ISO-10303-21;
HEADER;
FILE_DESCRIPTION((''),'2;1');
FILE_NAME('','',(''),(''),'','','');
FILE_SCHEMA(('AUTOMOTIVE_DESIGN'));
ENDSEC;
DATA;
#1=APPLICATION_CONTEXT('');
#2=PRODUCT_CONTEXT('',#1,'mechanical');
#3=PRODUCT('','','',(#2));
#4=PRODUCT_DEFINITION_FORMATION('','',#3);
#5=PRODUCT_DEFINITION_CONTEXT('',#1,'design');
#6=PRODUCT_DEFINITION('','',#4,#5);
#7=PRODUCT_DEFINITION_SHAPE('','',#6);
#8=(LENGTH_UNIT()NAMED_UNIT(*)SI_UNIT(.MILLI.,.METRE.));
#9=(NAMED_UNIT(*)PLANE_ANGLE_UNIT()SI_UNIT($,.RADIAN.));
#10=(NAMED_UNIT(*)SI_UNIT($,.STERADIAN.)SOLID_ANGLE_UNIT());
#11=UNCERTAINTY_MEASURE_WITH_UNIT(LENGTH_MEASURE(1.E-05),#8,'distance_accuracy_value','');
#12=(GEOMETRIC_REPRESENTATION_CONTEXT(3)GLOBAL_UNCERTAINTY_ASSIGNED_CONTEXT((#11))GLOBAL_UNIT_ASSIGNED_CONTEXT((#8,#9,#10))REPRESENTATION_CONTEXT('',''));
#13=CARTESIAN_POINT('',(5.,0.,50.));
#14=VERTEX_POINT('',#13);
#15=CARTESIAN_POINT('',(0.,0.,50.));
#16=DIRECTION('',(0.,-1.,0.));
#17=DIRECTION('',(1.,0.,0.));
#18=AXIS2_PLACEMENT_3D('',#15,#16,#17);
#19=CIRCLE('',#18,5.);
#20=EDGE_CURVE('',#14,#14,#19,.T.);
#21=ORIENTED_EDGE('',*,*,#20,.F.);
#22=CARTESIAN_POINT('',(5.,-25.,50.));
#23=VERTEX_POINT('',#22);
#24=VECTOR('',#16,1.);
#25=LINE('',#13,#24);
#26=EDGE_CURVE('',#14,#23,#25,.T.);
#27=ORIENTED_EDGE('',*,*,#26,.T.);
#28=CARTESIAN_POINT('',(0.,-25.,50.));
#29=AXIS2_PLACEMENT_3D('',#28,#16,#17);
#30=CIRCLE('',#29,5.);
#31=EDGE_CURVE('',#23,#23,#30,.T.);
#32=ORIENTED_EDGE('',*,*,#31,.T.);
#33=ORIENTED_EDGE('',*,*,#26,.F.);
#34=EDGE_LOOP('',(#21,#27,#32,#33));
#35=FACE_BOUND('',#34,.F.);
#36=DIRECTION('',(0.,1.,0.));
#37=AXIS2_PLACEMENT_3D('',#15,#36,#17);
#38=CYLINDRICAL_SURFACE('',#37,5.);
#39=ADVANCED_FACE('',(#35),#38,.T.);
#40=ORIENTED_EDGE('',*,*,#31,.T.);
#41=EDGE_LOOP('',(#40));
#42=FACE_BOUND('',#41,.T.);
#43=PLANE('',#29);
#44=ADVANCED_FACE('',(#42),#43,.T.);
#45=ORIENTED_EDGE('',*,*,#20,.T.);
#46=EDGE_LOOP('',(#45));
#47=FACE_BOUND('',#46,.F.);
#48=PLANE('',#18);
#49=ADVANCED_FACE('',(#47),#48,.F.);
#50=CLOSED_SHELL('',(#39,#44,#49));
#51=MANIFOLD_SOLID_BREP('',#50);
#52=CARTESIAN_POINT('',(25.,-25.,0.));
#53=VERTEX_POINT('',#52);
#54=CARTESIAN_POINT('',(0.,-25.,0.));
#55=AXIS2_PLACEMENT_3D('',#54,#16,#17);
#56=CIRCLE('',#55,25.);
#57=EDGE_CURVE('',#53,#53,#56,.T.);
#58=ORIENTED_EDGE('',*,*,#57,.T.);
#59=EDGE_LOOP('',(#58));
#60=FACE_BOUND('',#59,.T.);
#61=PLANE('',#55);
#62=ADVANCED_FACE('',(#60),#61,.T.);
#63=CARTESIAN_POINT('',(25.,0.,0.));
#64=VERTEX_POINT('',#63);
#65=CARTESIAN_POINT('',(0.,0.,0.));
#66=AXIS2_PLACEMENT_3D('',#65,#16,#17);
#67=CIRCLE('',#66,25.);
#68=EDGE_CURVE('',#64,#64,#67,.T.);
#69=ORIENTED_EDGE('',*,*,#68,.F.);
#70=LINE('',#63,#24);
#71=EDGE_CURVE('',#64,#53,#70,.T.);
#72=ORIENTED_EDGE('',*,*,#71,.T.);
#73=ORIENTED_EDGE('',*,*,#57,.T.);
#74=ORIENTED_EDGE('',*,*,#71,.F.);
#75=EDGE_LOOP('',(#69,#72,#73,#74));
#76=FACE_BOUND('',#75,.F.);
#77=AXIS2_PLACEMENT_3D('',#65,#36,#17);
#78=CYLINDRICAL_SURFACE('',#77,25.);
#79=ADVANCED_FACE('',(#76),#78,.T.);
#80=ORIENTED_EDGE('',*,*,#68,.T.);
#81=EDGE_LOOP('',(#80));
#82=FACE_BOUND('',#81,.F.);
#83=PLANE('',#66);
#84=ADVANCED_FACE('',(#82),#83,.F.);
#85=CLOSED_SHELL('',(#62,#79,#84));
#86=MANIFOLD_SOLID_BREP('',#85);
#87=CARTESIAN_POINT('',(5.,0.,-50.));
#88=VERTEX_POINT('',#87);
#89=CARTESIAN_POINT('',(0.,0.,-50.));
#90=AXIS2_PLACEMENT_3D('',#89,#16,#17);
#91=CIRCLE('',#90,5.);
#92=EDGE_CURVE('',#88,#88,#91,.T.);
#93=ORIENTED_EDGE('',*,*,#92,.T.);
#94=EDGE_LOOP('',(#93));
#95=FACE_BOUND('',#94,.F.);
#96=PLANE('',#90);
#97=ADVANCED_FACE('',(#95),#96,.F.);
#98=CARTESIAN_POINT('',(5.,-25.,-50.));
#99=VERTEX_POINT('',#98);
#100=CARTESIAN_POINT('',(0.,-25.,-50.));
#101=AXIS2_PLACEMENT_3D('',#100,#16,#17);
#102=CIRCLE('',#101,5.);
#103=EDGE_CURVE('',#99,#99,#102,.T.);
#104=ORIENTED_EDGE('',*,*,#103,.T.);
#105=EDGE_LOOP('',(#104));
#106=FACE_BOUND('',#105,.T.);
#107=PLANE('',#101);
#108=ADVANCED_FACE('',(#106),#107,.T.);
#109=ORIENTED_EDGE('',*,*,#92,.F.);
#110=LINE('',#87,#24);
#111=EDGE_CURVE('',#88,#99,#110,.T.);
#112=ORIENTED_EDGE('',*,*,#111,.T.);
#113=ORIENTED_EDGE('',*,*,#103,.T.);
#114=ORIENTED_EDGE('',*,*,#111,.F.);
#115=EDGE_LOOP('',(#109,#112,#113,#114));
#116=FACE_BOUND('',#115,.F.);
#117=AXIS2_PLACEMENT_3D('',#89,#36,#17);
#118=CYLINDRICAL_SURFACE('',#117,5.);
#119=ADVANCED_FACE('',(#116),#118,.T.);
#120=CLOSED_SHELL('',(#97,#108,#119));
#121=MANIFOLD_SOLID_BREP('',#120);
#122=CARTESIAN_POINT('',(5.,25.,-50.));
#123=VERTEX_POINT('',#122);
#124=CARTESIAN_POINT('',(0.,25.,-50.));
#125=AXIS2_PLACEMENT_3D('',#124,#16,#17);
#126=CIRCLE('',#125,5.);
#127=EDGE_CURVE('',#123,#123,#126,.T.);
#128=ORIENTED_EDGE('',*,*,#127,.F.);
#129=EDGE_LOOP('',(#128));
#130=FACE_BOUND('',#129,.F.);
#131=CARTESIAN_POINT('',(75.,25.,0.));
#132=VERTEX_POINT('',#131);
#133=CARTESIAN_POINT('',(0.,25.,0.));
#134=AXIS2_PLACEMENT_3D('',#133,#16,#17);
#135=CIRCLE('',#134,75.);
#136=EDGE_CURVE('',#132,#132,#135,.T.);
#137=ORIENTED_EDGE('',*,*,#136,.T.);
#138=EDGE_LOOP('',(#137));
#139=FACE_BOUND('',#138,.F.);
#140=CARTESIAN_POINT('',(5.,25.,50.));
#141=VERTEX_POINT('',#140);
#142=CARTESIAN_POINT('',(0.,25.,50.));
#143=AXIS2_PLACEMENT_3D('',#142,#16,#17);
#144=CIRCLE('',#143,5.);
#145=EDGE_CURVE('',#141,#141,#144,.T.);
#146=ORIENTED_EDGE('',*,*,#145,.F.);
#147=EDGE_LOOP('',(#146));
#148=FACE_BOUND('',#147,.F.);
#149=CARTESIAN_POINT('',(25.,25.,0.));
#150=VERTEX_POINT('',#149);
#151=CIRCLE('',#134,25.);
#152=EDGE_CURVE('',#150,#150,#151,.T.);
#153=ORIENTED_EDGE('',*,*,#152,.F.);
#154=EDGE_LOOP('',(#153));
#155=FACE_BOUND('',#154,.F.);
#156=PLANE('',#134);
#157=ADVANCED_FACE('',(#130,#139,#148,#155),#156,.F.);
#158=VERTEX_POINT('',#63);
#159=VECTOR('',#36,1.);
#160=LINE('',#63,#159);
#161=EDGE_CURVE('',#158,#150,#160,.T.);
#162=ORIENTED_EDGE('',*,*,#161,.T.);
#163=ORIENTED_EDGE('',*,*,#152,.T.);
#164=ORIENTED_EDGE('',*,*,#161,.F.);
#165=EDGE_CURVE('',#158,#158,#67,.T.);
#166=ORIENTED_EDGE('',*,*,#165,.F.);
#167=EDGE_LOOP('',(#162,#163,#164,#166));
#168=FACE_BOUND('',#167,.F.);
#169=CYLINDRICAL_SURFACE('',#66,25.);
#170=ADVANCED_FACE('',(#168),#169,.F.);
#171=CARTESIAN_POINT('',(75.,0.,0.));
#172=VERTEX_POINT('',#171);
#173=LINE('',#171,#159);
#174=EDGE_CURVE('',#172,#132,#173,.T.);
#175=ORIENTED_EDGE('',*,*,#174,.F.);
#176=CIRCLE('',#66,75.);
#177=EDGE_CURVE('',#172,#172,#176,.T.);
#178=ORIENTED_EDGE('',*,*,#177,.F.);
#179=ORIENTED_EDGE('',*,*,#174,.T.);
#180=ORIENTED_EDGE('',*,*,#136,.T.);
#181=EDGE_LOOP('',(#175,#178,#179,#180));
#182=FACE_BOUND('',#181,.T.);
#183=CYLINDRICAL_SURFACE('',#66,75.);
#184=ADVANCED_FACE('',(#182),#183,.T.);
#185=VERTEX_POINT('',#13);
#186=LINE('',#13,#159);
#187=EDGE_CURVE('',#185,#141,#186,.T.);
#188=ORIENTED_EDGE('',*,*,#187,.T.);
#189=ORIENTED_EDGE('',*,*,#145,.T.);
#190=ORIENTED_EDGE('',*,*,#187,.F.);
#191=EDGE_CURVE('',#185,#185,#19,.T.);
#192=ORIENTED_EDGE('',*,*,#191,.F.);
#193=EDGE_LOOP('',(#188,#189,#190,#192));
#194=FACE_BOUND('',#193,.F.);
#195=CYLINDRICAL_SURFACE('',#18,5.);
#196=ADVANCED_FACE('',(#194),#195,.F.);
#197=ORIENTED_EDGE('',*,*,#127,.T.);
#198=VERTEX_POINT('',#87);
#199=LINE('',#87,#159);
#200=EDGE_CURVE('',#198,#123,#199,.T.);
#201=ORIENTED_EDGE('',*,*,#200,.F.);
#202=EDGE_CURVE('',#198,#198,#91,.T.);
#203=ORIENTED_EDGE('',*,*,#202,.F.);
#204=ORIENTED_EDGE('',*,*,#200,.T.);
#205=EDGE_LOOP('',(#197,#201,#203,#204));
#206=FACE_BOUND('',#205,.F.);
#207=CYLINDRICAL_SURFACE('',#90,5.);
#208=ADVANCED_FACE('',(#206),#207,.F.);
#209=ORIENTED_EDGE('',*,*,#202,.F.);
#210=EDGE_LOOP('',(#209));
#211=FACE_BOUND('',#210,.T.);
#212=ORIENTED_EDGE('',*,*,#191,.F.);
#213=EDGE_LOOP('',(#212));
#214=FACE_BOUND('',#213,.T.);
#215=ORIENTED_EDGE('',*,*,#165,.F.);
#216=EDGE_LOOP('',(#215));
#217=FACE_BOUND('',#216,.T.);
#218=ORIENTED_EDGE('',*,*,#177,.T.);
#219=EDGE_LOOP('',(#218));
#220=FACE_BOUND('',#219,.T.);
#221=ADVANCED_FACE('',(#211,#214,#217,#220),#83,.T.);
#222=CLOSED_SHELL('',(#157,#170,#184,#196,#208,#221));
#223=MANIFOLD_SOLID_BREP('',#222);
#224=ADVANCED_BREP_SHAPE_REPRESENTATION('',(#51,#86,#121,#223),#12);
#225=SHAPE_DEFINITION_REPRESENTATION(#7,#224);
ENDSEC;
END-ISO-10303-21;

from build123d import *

# Parameters (mm, degrees)
F0_R     = 5
F0_R_2   = 25
F1_DEPTH = 25
F0_R_3   = 75
F2_DEPTH = 25


with BuildPart() as f1:
    # F0 (on Front) → F1 (new body)
    with BuildSketch(Plane.XZ):
        with Locations((0, 50)):
            Circle(F0_R)
        Circle(F0_R_2)
        with Locations((0, -50)):
            Circle(F0_R)
    extrude(amount=F1_DEPTH)


with BuildPart() as f2:
    # F0 (on Front) → F2 (new body)
    with BuildSketch(Plane.XZ):
        Circle(F0_R_3)
        with Locations((0, -50)):
            Circle(F0_R, mode=Mode.SUBTRACT)
        Circle(F0_R_2, mode=Mode.SUBTRACT)
        with Locations((0, 50)):
            Circle(F0_R, mode=Mode.SUBTRACT)
    extrude(amount=-F2_DEPTH)


solid = Compound([f1.part, f2.part])
